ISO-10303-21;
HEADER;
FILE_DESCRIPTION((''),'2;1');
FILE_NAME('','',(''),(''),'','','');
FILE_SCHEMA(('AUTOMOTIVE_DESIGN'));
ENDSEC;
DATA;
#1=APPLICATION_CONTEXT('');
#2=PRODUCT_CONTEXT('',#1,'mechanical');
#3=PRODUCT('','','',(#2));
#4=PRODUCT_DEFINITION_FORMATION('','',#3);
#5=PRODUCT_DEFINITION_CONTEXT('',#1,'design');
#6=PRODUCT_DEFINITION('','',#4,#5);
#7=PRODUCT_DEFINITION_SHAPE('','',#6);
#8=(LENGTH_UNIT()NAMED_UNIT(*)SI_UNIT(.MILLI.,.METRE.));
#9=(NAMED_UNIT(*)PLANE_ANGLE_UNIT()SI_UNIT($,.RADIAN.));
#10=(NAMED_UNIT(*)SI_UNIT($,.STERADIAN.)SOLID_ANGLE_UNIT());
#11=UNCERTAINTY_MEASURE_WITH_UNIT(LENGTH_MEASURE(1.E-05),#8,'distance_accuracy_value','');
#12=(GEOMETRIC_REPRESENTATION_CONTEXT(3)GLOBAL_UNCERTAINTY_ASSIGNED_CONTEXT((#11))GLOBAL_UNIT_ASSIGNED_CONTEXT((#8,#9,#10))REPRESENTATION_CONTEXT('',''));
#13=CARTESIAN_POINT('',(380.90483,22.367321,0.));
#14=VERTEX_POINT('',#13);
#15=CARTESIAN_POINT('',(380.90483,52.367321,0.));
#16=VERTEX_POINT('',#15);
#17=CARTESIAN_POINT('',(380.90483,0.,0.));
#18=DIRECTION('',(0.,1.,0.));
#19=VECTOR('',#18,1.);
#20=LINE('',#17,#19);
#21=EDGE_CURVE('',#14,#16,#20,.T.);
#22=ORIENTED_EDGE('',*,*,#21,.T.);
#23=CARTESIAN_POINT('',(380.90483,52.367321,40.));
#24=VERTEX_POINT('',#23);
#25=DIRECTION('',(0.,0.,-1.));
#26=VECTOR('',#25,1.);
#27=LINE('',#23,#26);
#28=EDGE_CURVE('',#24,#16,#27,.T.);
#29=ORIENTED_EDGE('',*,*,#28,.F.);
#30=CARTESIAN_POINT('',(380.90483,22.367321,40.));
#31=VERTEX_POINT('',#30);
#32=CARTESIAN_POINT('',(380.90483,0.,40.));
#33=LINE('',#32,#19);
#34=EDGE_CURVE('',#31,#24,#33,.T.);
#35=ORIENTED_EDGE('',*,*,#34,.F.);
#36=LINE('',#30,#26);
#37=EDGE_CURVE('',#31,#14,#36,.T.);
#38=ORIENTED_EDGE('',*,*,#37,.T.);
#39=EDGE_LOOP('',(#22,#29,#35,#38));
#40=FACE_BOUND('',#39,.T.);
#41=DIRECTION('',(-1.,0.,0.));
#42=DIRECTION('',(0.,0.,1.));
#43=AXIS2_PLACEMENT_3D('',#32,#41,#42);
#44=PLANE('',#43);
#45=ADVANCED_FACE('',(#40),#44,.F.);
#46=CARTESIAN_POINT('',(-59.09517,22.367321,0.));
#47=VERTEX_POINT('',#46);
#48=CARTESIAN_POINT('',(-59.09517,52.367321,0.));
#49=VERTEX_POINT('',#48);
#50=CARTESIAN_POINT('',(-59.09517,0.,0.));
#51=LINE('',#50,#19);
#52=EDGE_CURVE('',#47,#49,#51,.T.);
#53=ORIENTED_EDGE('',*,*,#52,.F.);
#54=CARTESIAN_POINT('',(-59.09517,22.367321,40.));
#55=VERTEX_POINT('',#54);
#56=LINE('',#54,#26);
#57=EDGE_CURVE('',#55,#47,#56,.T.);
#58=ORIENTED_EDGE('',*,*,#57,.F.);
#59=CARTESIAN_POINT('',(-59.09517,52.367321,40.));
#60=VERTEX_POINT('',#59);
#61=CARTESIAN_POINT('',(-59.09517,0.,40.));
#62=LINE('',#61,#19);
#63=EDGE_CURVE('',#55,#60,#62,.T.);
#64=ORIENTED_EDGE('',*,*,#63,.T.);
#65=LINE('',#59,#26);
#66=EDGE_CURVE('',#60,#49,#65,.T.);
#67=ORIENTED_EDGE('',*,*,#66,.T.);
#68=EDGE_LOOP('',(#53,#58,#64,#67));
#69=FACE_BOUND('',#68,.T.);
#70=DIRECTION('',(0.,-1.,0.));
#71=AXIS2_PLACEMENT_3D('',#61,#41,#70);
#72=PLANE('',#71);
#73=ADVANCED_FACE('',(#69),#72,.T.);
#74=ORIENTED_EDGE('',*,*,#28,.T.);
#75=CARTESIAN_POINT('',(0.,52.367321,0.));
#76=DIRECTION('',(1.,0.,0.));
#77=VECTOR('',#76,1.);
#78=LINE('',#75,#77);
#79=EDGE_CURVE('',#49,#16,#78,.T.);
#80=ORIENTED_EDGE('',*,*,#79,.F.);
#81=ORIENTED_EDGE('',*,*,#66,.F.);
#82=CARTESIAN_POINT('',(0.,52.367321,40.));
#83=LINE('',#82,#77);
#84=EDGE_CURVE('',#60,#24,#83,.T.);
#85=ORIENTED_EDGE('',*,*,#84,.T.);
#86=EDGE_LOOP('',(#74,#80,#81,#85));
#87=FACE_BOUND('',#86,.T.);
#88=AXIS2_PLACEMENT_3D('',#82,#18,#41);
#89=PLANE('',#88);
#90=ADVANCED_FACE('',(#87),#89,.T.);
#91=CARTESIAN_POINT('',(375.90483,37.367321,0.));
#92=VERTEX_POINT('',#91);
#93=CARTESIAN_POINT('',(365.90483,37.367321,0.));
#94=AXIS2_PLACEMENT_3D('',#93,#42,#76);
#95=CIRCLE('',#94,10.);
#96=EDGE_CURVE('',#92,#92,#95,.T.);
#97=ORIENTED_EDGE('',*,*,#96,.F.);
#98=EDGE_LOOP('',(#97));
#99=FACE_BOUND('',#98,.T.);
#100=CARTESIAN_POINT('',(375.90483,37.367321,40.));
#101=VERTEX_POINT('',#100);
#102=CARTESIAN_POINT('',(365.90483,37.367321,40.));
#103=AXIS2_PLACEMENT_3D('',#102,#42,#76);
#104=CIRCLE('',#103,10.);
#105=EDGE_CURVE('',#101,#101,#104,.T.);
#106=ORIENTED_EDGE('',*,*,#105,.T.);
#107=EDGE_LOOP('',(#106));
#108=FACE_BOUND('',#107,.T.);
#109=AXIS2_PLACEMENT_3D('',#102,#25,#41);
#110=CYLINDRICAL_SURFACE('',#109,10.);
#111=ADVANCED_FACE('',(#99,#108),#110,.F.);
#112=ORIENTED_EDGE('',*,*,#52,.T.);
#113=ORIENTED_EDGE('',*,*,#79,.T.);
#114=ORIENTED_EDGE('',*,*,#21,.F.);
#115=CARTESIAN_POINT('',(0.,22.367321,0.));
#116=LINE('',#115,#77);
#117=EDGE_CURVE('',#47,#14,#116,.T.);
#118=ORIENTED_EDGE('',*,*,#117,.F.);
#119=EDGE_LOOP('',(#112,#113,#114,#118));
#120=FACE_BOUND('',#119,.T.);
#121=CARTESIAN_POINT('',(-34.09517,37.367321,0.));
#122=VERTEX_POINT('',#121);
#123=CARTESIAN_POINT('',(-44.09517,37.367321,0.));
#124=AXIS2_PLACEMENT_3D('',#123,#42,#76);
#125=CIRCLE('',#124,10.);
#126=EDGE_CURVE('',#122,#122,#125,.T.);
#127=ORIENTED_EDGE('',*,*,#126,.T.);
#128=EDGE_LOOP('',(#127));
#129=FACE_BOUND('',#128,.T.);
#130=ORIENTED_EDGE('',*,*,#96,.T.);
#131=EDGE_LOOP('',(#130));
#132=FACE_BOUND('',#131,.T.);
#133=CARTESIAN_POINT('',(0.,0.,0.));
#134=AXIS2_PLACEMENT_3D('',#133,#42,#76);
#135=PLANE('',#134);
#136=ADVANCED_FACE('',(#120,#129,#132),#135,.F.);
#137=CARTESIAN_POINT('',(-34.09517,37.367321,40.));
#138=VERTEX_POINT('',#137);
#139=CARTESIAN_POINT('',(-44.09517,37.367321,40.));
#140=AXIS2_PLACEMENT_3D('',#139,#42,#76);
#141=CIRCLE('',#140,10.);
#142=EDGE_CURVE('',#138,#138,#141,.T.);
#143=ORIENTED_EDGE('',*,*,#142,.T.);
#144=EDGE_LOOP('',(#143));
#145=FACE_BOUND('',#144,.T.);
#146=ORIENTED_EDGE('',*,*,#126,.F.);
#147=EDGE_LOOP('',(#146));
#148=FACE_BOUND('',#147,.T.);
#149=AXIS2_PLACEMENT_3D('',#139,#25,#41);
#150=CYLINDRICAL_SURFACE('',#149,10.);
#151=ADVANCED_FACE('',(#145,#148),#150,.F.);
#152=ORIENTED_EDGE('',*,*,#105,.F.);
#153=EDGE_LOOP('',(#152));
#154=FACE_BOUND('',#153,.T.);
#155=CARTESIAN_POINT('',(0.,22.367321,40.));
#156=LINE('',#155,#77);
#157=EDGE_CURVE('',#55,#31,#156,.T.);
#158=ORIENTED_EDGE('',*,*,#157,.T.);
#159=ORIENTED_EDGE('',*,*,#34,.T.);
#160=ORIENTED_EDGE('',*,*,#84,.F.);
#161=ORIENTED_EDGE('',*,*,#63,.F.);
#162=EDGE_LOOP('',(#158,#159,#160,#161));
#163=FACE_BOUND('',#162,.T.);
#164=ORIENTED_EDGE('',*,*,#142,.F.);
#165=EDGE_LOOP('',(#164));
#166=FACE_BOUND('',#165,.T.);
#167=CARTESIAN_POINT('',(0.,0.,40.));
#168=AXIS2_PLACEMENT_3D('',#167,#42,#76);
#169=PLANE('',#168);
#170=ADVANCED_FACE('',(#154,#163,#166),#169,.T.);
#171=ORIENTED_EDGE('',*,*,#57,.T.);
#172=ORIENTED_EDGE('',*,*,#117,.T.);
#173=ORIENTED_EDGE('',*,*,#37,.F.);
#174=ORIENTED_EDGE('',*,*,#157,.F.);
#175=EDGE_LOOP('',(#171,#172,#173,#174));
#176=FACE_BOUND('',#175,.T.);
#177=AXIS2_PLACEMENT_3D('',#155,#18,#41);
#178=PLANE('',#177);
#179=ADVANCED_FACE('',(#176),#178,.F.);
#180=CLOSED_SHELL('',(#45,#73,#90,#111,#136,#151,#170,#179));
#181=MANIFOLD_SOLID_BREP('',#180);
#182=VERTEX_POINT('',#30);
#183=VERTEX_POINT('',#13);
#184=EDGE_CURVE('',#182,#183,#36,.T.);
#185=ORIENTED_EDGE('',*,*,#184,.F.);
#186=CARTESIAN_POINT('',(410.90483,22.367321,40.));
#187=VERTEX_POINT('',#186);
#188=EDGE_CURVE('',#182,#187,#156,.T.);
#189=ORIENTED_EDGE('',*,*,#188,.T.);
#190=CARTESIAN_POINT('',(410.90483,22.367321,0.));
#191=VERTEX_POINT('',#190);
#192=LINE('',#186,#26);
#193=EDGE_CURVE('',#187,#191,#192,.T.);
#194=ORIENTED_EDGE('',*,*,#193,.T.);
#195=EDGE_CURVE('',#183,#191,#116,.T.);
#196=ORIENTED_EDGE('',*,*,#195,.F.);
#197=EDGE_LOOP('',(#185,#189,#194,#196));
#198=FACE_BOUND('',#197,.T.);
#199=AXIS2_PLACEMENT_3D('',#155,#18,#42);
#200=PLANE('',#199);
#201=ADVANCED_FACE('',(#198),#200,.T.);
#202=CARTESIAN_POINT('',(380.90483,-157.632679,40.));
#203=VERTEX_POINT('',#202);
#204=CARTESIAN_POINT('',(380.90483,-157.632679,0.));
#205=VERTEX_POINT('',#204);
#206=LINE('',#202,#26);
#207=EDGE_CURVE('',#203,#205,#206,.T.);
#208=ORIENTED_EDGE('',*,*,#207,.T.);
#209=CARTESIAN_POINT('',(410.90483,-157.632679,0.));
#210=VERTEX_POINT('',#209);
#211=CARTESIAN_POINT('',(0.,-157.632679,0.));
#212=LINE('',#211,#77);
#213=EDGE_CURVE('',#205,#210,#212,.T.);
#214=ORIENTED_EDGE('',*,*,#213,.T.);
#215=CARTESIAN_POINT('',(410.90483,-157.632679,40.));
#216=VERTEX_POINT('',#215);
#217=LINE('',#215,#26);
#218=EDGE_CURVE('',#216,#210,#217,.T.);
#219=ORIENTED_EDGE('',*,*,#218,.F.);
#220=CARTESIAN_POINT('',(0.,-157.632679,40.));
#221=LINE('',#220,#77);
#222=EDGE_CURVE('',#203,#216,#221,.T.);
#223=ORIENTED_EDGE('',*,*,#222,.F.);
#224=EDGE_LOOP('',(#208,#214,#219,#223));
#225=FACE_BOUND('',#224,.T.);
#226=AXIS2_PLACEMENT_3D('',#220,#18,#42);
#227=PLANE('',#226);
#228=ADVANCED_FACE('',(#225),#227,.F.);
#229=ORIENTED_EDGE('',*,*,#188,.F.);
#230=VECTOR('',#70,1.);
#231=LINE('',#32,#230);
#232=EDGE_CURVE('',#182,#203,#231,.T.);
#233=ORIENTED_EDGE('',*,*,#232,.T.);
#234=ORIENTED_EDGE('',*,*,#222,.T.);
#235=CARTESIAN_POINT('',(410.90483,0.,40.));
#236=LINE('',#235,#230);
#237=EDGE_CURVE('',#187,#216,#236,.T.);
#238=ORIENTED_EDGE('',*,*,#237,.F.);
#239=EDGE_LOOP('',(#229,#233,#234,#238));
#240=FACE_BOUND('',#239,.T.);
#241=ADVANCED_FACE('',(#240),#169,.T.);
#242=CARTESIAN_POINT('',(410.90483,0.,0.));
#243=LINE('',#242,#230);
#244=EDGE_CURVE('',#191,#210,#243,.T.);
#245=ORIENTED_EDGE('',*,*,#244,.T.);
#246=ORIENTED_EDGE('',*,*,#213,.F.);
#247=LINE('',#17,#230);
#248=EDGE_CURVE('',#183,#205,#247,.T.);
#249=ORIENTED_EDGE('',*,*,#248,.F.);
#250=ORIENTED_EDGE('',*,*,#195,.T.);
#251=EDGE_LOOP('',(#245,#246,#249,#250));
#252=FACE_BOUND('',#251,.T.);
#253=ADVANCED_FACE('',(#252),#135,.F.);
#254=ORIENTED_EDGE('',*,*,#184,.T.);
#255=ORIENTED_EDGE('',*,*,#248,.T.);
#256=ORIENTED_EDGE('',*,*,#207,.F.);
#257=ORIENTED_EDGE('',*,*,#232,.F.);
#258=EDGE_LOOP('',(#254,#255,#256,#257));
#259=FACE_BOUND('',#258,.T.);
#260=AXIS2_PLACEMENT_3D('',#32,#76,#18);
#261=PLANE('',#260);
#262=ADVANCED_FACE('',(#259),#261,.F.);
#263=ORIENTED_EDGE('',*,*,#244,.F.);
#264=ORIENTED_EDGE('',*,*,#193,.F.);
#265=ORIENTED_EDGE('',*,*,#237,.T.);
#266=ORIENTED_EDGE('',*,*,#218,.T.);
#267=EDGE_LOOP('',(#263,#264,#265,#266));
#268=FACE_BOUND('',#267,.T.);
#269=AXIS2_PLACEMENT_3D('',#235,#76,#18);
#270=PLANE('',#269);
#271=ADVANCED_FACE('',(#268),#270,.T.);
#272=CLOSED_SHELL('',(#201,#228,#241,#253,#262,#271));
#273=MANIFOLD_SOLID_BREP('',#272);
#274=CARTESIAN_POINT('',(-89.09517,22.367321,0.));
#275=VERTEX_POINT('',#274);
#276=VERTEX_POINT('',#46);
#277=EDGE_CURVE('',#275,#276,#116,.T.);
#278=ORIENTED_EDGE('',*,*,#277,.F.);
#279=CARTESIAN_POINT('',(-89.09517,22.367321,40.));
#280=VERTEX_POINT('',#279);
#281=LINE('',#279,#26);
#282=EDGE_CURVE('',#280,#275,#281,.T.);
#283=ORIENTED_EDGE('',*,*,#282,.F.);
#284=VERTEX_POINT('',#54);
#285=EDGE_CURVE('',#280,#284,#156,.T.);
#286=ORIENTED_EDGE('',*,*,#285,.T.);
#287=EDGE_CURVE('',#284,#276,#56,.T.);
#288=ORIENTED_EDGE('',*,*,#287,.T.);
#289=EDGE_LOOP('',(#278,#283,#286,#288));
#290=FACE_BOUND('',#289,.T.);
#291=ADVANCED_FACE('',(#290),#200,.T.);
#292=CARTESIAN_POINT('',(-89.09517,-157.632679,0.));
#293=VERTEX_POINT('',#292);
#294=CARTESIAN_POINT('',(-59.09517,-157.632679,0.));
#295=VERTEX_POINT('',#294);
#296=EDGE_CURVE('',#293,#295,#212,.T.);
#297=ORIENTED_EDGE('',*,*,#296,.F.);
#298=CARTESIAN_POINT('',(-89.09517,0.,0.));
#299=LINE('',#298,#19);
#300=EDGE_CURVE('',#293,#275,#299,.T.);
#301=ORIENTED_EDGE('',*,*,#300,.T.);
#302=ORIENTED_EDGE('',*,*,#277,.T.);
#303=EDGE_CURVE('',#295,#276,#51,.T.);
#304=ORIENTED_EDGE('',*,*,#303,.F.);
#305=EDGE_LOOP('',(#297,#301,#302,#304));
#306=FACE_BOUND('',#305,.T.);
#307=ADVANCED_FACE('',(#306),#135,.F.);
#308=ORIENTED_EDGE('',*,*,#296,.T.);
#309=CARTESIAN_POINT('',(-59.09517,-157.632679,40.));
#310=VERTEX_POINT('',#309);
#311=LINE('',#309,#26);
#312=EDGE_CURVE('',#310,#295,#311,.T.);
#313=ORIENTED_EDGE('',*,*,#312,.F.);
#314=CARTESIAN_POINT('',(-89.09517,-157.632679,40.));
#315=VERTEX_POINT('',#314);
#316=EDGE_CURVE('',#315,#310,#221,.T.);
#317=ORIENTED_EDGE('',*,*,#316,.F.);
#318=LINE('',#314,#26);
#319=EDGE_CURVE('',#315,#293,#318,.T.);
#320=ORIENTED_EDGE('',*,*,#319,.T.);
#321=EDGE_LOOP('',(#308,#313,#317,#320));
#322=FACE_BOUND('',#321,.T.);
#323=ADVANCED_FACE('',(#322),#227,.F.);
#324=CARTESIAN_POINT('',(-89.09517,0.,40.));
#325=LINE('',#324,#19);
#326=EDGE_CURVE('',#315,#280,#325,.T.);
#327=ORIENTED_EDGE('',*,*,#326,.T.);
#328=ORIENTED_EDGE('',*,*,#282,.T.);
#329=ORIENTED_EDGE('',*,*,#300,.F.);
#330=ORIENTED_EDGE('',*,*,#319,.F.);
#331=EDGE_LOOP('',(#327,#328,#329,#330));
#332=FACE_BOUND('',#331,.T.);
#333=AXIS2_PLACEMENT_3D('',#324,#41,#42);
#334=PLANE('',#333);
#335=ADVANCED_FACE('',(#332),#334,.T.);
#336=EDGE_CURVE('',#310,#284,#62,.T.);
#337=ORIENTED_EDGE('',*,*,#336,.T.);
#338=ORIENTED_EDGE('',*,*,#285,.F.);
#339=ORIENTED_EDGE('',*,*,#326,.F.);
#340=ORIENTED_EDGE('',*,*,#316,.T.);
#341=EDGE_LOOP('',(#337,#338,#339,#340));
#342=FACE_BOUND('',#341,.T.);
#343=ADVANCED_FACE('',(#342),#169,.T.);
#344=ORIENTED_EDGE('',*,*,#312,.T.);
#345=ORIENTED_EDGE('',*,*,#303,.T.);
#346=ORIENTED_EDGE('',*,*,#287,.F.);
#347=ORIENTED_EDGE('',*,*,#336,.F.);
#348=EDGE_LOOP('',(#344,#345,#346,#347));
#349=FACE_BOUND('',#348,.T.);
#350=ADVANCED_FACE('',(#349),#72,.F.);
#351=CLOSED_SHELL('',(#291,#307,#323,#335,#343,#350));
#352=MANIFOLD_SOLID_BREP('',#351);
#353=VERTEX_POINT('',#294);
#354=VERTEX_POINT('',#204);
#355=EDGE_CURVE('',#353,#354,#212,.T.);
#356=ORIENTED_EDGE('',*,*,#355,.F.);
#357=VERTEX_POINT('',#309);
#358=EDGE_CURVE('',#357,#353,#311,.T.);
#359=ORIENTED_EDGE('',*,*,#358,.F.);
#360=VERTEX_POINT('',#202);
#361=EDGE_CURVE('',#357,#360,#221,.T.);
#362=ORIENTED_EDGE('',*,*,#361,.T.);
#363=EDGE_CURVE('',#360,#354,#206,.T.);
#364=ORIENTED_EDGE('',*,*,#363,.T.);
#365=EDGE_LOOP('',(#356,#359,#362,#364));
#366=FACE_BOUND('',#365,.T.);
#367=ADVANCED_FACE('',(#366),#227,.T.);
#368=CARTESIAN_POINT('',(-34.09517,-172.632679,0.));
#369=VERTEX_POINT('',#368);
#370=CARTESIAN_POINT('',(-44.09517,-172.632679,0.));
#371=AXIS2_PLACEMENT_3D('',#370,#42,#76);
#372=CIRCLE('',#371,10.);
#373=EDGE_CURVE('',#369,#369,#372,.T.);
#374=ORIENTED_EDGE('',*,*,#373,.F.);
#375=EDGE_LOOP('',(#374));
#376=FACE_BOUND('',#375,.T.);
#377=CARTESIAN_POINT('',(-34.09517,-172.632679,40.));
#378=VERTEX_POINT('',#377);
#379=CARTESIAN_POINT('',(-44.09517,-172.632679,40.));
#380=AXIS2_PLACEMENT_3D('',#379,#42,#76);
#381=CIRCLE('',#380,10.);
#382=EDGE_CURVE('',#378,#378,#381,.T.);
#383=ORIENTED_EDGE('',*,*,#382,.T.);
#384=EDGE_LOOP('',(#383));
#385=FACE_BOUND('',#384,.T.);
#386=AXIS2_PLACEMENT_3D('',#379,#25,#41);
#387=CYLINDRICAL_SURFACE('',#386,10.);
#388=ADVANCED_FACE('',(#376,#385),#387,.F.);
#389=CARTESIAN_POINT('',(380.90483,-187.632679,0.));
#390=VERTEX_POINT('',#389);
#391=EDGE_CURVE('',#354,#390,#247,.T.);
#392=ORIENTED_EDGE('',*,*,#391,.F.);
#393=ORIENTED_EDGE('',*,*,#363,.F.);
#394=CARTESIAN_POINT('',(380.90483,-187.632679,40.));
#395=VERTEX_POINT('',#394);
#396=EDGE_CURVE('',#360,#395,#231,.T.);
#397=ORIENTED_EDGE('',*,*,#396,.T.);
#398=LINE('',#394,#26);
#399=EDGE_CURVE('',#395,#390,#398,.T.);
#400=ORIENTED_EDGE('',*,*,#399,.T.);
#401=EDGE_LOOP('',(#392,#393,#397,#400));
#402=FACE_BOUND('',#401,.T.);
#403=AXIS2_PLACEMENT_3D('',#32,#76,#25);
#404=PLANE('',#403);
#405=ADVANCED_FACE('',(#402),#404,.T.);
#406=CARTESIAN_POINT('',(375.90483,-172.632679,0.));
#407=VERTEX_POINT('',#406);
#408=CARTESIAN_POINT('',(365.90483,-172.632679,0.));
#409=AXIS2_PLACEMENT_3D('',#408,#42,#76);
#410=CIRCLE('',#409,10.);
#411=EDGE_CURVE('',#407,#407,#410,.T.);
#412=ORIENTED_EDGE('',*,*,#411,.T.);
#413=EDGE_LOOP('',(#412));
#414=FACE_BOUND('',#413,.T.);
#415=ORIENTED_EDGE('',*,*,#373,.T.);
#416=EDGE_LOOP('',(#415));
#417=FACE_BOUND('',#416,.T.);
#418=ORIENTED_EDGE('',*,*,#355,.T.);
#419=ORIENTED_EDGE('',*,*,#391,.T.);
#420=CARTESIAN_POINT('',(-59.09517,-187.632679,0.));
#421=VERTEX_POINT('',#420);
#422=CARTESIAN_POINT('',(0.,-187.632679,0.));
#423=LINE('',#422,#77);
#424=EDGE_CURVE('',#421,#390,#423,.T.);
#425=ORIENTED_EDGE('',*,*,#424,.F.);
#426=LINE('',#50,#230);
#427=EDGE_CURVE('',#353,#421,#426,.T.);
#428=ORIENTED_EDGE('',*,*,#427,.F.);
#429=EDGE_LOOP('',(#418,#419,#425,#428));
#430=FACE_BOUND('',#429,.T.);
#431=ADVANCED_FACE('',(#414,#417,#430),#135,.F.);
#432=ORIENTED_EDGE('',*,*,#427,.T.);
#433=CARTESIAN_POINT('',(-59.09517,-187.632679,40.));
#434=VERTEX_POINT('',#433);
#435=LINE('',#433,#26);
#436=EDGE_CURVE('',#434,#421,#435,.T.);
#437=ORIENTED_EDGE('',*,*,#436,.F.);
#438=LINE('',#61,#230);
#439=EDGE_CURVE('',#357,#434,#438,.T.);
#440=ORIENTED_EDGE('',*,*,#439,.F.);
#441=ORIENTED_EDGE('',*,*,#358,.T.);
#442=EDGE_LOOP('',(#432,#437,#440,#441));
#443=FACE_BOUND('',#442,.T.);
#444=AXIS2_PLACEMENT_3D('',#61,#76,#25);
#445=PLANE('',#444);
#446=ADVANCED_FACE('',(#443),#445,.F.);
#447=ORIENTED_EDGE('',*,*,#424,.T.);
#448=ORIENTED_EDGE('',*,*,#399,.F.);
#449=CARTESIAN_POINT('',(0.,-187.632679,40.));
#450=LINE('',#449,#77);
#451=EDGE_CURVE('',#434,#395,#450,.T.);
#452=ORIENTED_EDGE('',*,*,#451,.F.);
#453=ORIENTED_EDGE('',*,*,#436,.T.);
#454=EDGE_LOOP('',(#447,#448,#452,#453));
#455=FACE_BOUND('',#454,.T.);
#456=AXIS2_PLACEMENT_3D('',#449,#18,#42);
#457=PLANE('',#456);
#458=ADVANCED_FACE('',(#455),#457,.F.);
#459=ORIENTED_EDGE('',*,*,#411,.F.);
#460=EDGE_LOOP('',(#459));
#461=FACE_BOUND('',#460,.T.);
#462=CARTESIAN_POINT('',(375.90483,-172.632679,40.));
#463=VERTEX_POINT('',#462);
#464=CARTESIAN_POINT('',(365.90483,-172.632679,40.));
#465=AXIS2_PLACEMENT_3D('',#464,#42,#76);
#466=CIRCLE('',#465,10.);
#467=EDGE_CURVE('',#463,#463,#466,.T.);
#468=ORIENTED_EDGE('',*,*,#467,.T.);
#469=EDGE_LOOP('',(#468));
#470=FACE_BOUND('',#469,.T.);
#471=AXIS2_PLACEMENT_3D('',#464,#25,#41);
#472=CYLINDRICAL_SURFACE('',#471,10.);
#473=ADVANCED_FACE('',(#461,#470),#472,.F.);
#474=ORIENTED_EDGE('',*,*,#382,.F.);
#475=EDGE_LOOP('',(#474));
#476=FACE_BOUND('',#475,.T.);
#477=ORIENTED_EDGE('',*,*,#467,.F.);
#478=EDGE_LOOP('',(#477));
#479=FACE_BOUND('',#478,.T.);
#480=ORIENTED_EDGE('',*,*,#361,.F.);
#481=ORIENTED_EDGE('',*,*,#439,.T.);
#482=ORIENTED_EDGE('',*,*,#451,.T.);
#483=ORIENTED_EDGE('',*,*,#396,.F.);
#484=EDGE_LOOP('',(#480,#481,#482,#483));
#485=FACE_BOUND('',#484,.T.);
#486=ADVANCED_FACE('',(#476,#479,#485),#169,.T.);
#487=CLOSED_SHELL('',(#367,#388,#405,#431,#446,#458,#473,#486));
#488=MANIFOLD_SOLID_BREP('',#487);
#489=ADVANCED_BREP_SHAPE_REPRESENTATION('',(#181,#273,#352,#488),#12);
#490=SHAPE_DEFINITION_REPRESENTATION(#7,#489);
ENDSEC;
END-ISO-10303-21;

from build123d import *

# Parameters (mm, degrees)
SKETCH_1_W        = 440
SKETCH_1_H        = 30
SKETCH_1_R        = 10
EXTRUDE_3_DEPTH   = 40
SKETCH_1_W_2      = 30
SKETCH_1_H_2      = 180
EXTRUDE_3_2_DEPTH = 40
EXTRUDE_3_3_DEPTH = 40
EXTRUDE_3_4_DEPTH = 40


with BuildPart() as part:
    # 草图1 → 凸台-拉伸3 (new body)
    with BuildSketch(Plane.XY):
        with Locations((160.904830227, 37.367321225)):
            Rectangle(SKETCH_1_W, SKETCH_1_H)
        with Locations((365.904830227, 37.367321225)):
            Circle(SKETCH_1_R, mode=Mode.SUBTRACT)
        with Locations((-44.095169773, 37.367321225)):
            Circle(SKETCH_1_R, mode=Mode.SUBTRACT)
    extrude(amount=EXTRUDE_3_DEPTH)


with BuildPart() as body_2:
    # 草图1 → Extrude 3 2 (new body)
    with BuildSketch(Plane.XY):
        with Locations((-74.095169773, -67.632678775)):
            Rectangle(SKETCH_1_W_2, SKETCH_1_H_2)
    extrude(amount=EXTRUDE_3_2_DEPTH)


with BuildPart() as body_3:
    # 草图1 → Extrude 3 3 (new body)
    with BuildSketch(Plane.XY):
        with Locations((395.904830227, -67.632678775)):
            Rectangle(SKETCH_1_W_2, SKETCH_1_H_2)
    extrude(amount=EXTRUDE_3_3_DEPTH)


with BuildPart() as body_4:
    # 草图1 → Extrude 3 4 (new body)
    with BuildSketch(Plane.XY):
        with Locations((160.904830227, -172.632678775)):
            Rectangle(SKETCH_1_W, SKETCH_1_H)
        with Locations((-44.095169773, -172.632678775)):
            Circle(SKETCH_1_R, mode=Mode.SUBTRACT)
        with Locations((365.904830227, -172.632678775)):
            Circle(SKETCH_1_R, mode=Mode.SUBTRACT)
    extrude(amount=EXTRUDE_3_4_DEPTH)


solid = Compound([part.part, body_2.part, body_3.part, body_4.part])
